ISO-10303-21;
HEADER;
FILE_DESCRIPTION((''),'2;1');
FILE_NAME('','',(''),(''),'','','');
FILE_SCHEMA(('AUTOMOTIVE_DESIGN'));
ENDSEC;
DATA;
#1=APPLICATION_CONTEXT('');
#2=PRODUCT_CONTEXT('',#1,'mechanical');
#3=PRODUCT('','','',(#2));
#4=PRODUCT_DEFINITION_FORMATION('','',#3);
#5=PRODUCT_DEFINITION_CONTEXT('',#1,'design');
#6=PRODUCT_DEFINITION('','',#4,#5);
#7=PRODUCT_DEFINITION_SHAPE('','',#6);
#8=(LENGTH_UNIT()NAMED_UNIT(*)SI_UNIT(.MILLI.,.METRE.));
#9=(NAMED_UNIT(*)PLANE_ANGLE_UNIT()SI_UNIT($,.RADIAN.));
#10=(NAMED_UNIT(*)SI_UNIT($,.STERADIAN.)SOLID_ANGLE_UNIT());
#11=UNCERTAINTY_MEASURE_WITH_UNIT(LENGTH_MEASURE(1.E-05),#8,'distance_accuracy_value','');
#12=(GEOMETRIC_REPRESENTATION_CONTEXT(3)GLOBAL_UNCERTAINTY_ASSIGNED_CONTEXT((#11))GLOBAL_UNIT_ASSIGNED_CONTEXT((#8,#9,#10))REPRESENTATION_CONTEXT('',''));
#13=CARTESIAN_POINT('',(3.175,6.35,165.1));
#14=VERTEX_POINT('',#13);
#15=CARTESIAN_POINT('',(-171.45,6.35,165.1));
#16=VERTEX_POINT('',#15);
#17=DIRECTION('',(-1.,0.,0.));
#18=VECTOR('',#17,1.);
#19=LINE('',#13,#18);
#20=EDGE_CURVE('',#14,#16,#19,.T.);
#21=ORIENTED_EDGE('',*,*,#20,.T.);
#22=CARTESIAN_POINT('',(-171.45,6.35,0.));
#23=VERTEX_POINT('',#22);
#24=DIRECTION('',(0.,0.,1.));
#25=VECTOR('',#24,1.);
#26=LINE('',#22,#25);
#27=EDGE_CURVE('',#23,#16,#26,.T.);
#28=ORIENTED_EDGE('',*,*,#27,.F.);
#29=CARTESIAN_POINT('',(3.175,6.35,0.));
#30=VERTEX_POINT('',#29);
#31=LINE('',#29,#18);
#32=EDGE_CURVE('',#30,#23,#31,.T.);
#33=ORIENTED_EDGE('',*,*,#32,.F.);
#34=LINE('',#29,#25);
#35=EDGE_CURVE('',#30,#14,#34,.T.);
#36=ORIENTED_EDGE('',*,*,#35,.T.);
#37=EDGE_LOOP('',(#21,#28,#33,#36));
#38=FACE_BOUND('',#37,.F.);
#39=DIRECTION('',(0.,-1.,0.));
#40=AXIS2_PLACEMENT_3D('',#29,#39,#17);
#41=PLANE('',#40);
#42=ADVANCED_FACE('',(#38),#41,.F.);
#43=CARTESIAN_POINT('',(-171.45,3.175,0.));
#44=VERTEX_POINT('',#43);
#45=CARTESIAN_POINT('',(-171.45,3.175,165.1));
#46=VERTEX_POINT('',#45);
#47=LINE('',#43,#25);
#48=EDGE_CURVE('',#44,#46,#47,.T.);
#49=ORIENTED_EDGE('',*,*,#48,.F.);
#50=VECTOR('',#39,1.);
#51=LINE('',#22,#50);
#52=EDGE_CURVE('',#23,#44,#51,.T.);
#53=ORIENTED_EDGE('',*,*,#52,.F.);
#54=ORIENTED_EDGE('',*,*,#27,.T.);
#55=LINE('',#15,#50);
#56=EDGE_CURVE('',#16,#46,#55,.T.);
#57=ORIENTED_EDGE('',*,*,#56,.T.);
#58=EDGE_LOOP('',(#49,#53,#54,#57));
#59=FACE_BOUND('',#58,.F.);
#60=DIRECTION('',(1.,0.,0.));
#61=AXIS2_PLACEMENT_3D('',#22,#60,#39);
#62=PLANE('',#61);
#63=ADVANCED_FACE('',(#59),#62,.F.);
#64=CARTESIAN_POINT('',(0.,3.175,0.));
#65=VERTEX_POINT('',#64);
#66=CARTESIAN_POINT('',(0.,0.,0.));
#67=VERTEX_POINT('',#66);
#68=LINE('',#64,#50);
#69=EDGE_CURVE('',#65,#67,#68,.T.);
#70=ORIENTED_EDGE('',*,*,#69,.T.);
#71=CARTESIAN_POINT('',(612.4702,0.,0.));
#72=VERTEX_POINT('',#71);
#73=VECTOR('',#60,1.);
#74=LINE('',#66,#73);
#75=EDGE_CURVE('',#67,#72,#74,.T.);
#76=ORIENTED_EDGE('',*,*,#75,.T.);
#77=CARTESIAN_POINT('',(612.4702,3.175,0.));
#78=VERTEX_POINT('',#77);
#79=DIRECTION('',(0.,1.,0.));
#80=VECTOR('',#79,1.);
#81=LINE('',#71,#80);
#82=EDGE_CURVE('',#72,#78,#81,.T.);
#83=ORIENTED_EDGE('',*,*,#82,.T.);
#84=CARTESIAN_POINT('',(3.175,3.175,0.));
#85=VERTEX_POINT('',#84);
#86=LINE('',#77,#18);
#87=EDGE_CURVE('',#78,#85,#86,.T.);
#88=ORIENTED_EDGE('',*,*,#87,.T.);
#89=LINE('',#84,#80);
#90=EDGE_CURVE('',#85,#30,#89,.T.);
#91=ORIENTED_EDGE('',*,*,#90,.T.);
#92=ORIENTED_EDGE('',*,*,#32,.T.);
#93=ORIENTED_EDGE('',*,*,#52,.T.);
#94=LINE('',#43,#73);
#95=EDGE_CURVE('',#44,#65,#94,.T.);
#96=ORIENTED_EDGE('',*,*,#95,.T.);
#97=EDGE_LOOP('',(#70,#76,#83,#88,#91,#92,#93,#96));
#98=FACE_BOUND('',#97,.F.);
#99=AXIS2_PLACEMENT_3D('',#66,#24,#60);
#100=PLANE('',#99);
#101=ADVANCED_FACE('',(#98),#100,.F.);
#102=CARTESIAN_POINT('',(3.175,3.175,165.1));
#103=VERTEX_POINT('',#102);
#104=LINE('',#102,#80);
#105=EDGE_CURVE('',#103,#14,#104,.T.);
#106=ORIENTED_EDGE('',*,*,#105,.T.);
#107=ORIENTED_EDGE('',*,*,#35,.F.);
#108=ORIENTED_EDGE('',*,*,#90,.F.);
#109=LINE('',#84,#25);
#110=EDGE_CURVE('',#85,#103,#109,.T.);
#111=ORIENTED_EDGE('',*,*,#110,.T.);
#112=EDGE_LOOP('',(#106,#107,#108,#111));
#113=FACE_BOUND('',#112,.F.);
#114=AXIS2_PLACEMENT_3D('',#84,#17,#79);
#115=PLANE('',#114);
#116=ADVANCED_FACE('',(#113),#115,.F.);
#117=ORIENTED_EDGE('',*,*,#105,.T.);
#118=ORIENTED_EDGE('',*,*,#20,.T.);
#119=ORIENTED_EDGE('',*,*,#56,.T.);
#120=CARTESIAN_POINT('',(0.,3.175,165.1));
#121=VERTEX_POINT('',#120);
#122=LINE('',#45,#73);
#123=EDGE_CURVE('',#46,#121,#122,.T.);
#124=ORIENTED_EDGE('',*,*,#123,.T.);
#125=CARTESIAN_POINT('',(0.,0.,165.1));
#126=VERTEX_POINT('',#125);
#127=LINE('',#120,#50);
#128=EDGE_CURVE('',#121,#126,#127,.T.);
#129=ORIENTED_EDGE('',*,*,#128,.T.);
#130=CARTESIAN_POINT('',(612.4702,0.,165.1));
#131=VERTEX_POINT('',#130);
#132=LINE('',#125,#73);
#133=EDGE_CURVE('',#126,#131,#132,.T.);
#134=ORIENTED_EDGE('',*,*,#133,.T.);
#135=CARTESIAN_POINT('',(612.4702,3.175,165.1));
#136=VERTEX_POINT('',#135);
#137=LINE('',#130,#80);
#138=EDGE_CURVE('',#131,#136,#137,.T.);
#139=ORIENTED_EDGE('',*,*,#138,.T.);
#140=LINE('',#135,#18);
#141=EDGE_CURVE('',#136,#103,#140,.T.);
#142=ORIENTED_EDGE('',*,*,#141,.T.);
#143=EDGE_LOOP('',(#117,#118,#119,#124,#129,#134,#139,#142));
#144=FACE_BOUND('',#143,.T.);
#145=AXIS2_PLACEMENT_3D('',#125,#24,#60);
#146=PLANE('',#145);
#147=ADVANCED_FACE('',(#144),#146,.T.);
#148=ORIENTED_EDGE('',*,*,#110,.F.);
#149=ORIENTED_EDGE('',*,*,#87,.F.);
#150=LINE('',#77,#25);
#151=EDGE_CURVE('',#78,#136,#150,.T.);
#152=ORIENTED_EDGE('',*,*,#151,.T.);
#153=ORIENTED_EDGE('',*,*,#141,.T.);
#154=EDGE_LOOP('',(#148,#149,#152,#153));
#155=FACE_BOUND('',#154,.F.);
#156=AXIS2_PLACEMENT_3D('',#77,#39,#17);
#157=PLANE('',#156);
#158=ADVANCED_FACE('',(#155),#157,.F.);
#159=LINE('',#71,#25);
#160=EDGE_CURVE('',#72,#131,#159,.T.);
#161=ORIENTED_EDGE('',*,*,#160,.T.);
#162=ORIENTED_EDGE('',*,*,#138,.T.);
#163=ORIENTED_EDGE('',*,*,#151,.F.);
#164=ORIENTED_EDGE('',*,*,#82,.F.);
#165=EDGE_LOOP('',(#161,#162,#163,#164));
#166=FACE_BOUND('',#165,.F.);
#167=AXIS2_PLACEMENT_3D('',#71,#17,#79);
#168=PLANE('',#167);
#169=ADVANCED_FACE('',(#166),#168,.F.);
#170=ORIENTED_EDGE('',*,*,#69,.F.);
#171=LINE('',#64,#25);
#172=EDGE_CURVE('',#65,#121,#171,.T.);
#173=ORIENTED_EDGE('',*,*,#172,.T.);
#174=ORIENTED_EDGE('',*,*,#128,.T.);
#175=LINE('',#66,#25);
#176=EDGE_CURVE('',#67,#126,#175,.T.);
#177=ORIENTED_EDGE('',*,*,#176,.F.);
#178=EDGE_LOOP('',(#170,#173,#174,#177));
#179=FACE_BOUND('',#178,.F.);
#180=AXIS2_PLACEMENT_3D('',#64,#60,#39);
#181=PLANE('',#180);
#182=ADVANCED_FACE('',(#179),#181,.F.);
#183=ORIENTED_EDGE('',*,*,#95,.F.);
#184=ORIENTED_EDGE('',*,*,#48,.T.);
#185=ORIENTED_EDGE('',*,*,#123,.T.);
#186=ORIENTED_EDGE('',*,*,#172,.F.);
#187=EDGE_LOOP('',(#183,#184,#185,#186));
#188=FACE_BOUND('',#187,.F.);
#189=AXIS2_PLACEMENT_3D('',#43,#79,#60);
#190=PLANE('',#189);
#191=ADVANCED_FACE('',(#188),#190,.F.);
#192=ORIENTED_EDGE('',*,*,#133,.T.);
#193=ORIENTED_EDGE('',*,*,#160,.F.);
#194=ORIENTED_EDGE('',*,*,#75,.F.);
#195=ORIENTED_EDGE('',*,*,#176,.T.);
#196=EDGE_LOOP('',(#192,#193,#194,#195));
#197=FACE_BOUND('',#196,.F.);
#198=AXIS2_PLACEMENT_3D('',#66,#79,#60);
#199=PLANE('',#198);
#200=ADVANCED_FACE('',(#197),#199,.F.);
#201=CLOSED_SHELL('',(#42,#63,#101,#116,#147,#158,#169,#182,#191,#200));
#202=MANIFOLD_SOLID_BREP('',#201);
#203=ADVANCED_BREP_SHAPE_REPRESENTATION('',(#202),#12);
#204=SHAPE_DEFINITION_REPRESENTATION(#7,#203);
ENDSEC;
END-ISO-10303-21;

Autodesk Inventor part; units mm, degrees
ref_plane "YZ Plane" through (0, 0, 0) normal (1, 0, 0) x (0, 1, 0)
ref_plane "XZ Plane" through (0, 0, 0) normal (0, 1, 0) x (-1, 0, 0)
ref_plane "XY Plane" through (0, 0, 0) normal (0, 0, 1) x (1, 0, 0)
sketch "Sketch1" plane through (0, 0, 0) normal (0, 0, 1) x (1, 0, 0)
  line L0 (0, 0) -> (612.4702, 0)
  line L1 (612.4702, 0) -> (612.4702, 3.175)
  line L2 (612.4702, 3.175) -> (3.175, 3.175)
  line L3 (3.175, 3.175) -> (3.175, 6.35)
  line L4 (3.175, 6.35) -> (-171.45, 6.35)
  line L5 (-171.45, 6.35) -> (-171.45, 3.175)
  line L6 (-171.45, 3.175) -> (0, 3.175)
  line L7 (0, 3.175) -> (0, 0)
  dimension "d0" = 171.45
  dimension "d1" = 3.175
  dimension "d2" = 3.175
  dimension "d3" = 3.175
  dimension "d4" = 3.175
  dimension "d10" = 612.4702
extrude "Extrusion2" add sketch "Sketch1" along normal blind 165.1
properties part number "Starter_Shingle_With_Dimensions_6.5_x_30.988_Inches"
